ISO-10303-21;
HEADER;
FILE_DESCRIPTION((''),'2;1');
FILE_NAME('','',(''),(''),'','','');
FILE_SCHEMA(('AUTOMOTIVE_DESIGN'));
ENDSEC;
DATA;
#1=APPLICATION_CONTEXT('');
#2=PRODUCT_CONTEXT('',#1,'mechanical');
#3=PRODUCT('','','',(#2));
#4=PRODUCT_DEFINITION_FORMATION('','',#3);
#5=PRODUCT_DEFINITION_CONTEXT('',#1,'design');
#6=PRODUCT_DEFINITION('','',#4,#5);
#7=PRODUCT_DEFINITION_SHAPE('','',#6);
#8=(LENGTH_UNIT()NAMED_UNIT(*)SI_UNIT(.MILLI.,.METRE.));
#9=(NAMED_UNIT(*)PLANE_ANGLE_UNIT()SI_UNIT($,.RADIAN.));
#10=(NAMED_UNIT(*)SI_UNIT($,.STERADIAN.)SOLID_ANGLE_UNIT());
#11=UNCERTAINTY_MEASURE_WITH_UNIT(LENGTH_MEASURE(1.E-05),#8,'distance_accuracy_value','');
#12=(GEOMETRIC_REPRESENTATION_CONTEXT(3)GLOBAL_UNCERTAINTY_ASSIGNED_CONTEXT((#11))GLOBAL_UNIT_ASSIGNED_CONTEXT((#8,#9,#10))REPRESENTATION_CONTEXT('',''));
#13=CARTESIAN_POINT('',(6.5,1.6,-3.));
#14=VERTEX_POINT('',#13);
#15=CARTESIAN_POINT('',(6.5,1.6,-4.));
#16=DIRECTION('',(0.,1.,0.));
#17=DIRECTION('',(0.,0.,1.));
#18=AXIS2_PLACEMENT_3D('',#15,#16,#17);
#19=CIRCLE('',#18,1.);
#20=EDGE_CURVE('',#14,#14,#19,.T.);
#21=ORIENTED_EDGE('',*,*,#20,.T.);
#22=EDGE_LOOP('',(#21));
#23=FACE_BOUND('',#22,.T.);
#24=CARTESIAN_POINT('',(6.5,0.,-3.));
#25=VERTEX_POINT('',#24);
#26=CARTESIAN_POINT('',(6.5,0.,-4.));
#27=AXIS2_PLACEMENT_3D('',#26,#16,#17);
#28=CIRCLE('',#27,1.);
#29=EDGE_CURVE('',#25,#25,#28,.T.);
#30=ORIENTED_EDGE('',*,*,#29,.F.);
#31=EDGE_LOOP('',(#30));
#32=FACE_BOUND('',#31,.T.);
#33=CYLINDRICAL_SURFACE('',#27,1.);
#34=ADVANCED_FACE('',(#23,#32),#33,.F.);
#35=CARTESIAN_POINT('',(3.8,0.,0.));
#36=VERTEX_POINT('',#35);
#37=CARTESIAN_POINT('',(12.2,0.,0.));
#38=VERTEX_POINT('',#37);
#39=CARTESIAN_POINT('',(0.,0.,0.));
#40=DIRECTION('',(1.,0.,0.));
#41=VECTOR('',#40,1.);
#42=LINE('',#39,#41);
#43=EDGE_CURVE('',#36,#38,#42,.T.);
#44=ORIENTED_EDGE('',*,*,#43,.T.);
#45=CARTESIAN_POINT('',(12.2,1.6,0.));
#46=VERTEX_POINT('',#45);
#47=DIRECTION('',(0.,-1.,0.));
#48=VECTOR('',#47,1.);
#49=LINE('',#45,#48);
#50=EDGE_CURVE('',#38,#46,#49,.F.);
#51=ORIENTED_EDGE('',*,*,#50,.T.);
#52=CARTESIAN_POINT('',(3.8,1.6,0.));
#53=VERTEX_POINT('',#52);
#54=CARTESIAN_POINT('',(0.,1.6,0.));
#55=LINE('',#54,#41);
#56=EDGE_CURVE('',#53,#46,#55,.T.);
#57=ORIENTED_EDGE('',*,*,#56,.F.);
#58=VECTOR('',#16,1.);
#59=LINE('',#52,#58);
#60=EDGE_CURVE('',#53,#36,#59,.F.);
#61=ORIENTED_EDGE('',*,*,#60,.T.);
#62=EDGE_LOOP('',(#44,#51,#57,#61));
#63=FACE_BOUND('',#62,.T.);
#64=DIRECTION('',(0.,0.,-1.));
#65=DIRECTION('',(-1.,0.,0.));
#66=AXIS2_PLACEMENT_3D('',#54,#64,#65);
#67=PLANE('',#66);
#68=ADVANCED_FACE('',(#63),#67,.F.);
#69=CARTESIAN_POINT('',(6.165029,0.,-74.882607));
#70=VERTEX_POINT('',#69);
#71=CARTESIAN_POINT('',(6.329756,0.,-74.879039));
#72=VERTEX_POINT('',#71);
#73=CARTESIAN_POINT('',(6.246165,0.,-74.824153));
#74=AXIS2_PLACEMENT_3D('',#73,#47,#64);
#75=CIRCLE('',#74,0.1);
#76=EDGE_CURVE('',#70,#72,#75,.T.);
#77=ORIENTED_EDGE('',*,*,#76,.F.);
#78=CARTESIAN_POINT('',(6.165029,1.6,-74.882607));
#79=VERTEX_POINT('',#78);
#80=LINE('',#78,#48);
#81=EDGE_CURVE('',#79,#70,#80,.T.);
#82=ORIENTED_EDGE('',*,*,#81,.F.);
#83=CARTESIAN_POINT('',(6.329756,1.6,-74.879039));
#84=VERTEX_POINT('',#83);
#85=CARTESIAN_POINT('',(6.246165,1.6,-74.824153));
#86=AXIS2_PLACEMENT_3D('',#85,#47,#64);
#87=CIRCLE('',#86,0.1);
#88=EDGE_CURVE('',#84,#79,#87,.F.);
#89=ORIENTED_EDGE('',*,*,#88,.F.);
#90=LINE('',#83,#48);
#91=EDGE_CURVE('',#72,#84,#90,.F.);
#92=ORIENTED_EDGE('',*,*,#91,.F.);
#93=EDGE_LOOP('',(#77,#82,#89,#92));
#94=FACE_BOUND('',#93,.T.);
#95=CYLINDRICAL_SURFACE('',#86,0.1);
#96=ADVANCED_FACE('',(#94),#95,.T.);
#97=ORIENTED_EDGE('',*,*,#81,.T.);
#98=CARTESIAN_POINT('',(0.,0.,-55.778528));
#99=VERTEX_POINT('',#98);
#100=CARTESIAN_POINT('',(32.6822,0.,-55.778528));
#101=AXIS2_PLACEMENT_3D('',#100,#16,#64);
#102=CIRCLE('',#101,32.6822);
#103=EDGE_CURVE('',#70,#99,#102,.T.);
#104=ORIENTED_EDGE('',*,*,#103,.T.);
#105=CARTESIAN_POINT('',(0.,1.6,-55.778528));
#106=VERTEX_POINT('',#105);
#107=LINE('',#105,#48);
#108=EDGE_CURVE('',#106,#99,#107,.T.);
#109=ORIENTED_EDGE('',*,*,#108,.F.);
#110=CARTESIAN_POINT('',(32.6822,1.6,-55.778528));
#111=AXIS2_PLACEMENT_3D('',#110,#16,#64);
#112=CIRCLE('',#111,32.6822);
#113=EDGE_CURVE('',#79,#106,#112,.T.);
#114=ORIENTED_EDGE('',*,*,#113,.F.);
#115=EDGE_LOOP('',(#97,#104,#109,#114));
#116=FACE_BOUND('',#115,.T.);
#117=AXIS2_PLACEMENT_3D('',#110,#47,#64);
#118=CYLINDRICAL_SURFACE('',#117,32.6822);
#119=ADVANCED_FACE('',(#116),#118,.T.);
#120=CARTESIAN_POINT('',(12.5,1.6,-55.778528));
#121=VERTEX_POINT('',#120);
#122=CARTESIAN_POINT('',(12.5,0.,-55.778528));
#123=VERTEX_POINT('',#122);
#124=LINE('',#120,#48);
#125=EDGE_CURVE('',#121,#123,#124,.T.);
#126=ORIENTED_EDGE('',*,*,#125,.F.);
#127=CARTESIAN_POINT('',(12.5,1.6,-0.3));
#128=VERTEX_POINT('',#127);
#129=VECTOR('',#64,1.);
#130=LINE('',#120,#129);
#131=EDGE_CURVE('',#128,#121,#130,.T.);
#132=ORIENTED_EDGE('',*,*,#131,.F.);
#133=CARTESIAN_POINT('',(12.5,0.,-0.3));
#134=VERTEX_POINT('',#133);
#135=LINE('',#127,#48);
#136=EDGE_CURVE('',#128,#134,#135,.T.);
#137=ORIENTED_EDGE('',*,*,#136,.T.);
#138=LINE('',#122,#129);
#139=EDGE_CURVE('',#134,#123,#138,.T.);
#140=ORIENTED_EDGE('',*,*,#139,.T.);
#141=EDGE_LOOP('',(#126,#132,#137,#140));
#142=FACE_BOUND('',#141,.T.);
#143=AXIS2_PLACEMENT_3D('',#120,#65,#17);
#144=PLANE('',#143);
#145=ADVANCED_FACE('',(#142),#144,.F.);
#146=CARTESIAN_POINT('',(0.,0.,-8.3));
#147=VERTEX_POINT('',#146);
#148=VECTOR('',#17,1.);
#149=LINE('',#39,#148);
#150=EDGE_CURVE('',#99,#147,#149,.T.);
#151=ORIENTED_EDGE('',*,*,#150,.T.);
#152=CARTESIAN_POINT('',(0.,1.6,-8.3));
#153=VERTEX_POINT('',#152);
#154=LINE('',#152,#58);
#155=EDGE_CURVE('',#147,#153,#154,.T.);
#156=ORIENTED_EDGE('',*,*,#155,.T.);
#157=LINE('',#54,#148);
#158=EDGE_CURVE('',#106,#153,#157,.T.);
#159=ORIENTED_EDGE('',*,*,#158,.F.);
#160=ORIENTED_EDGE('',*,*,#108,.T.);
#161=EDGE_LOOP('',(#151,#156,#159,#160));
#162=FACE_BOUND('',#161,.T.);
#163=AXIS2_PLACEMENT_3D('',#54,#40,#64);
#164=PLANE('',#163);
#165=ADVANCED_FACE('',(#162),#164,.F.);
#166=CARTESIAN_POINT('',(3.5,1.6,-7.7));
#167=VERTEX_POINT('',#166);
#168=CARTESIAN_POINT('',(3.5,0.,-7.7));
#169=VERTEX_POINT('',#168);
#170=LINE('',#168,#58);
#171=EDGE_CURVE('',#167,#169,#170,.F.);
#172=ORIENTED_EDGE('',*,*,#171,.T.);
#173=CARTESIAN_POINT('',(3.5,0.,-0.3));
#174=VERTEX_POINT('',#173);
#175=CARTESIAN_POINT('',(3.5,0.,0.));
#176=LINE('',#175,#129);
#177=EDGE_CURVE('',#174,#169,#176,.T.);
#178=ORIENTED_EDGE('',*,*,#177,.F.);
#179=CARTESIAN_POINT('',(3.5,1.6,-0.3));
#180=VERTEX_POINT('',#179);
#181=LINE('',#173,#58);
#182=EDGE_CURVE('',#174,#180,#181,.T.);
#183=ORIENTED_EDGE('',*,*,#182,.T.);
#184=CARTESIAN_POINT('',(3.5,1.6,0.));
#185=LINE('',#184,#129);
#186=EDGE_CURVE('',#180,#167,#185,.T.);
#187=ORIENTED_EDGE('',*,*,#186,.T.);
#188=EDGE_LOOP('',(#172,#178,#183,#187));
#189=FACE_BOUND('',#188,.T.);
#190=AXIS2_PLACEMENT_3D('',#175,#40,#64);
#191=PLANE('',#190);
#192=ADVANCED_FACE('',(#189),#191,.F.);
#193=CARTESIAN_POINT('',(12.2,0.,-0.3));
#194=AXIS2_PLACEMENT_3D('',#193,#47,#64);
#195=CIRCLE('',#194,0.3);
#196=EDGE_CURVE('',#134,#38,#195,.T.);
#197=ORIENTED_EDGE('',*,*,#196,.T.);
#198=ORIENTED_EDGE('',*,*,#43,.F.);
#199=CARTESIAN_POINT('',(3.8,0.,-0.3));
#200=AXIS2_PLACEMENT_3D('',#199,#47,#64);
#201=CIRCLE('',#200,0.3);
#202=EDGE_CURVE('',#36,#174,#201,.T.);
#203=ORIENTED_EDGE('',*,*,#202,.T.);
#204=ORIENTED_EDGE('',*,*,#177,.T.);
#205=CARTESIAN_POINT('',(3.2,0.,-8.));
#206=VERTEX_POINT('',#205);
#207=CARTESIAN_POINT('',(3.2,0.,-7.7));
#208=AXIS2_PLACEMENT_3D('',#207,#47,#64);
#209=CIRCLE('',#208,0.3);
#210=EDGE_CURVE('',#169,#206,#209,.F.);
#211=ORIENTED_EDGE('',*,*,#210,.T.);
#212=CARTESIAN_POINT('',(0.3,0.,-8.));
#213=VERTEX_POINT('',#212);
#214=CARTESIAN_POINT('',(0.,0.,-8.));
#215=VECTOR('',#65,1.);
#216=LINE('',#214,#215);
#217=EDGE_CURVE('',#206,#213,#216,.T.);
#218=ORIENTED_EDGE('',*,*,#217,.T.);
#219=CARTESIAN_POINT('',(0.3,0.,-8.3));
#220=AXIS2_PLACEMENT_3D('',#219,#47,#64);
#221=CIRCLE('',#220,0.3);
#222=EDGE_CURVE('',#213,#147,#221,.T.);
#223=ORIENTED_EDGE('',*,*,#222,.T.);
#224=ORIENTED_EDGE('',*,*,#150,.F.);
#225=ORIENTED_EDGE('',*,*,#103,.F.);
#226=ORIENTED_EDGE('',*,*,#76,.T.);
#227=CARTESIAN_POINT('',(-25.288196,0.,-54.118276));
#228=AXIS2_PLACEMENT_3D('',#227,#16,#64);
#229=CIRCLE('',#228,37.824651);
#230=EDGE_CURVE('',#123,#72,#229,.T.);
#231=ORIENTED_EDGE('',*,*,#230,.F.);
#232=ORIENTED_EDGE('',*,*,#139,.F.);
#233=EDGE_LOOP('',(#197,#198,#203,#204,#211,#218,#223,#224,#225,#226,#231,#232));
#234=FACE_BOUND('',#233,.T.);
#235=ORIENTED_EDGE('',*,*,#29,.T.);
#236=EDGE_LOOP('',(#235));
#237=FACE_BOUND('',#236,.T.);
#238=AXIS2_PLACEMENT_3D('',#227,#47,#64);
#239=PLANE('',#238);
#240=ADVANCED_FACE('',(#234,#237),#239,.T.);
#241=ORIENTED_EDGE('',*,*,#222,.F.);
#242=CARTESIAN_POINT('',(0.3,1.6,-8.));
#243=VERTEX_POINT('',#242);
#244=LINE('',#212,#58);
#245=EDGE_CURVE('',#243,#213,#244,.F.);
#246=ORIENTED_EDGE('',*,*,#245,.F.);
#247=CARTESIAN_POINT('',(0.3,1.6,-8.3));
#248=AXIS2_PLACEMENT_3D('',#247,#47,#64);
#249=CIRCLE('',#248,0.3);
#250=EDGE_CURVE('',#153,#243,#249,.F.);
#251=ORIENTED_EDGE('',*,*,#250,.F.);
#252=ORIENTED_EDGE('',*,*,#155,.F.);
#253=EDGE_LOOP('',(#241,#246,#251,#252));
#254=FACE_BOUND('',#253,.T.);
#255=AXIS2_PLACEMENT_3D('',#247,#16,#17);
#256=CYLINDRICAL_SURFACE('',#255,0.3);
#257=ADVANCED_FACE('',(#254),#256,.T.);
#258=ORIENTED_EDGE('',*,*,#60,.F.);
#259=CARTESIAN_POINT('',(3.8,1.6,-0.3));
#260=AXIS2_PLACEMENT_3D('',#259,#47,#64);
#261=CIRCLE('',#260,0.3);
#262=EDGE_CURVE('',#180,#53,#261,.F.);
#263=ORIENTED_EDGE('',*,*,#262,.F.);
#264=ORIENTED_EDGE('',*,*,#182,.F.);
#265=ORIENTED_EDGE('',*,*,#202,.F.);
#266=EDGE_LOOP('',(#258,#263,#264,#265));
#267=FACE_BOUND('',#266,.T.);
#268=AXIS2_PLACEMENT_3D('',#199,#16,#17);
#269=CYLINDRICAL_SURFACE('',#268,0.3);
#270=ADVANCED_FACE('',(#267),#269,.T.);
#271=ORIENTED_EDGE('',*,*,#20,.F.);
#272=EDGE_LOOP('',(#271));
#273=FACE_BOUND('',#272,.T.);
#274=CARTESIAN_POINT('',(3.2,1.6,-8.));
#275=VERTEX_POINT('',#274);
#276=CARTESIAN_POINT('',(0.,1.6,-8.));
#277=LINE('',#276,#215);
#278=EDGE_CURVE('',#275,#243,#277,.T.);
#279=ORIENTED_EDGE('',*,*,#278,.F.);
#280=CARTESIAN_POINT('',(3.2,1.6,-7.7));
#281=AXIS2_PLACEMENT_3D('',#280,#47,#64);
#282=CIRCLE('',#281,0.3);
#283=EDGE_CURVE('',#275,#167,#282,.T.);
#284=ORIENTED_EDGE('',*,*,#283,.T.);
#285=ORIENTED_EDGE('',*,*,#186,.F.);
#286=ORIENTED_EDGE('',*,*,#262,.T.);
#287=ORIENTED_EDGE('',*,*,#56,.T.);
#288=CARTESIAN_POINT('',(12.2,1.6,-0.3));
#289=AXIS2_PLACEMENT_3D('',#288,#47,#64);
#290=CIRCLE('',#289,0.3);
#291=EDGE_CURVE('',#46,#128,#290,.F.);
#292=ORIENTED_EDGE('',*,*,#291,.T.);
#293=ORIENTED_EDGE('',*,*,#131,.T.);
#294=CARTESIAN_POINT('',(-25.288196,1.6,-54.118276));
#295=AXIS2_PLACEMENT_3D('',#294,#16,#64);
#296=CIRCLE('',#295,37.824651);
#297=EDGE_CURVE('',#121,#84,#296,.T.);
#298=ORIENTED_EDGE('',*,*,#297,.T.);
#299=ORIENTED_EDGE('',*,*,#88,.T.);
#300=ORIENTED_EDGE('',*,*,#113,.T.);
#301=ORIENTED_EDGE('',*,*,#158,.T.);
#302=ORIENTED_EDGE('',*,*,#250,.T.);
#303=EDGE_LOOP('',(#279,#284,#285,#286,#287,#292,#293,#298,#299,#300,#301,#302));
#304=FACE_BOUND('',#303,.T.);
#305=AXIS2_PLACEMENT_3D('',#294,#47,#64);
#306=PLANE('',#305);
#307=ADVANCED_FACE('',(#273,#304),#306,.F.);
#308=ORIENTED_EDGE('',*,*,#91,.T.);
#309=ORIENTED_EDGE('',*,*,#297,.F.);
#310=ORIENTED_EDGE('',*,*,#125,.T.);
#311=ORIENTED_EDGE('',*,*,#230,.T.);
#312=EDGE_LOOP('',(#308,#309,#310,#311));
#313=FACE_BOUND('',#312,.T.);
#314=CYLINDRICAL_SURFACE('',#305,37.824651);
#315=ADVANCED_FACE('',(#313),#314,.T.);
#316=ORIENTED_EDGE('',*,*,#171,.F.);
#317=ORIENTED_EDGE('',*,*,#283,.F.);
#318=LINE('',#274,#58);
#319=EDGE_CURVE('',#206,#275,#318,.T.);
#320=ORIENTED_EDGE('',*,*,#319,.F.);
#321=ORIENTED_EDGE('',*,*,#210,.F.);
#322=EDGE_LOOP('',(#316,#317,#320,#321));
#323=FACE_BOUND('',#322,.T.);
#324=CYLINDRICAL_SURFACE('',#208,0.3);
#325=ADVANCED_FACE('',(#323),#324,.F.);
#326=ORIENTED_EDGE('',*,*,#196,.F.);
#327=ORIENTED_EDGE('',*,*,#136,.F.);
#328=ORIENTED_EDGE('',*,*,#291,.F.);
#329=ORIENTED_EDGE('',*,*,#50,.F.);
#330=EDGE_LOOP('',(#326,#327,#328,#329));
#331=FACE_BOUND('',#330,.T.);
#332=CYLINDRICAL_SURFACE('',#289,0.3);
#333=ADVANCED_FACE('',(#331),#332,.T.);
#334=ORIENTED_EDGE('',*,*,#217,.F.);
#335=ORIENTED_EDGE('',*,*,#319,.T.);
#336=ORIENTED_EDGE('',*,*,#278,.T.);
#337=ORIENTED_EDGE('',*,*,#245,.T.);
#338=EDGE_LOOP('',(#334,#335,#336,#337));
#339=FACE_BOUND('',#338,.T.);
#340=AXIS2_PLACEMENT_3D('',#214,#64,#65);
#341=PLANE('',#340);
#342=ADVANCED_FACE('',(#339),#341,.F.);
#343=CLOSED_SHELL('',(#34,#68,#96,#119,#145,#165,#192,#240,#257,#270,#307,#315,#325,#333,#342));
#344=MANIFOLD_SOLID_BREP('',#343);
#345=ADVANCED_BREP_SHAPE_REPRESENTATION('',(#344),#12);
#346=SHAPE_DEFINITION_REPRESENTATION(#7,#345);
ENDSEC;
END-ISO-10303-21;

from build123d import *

# Parameters (mm, degrees)
BOSS_EXTRUDE1_DEPTH = 1.6
FILLET1_R           = 0.1
SKETCH2_R           = 1
SKETCH2_W           = 3.5
SKETCH2_H           = 8
CUT_EXTRUDE1_DEPTH  = 76.976566532
FILLET2_R           = 0.3


with BuildPart() as part:
    # Sketch1 → Boss-Extrude1 (new body)
    with BuildSketch(Plane(origin=(0, 0, 0), x_dir=(1, 0, 0), z_dir=(0, 1, 0))):
        with BuildLine():
            Line((0, 0), (0, 55.77852758))
            ThreePointArc((0, 55.77852758), (1.60175081, 65.88455922), (6.25, 75))
            ThreePointArc((6.25, 75), (10.68267286, 65.814463025), (12.5, 55.77852758))
            Line((12.5, 55.77852758), (12.5, 0))
            Line((12.5, 0), (0, 0))
        make_face()
    extrude(amount=BOSS_EXTRUDE1_DEPTH)

    # Fillet1
    fillet1_edges = [part.edges().sort_by_distance(p)[0] for p in [
        (6.25, 0.8, -75),
    ]]
    fillet(fillet1_edges, radius=FILLET1_R)

    # Sketch2 → Cut-Extrude1 (cut, through all)
    with BuildSketch(Plane(origin=(0, 1.6, 0), x_dir=(1, 0, 0), z_dir=(0, 1, 0))):
        with Locations(Location((6.5, 4, 0), (0, 0, 270))):
            Circle(SKETCH2_R)
        with Locations((1.75, 4)):
            Rectangle(SKETCH2_W, SKETCH2_H)
    extrude(amount=-CUT_EXTRUDE1_DEPTH, mode=Mode.SUBTRACT)

    # Fillet2
    fillet2_edges = [part.edges().sort_by_distance(p)[0] for p in [
        (0, 0.8, -8),
        (3.5, 0.8, -8),
        (3.5, 0.8, 0),
        (12.5, 0.8, 0),
    ]]
    fillet(fillet2_edges, radius=FILLET2_R)


solid = part.part
